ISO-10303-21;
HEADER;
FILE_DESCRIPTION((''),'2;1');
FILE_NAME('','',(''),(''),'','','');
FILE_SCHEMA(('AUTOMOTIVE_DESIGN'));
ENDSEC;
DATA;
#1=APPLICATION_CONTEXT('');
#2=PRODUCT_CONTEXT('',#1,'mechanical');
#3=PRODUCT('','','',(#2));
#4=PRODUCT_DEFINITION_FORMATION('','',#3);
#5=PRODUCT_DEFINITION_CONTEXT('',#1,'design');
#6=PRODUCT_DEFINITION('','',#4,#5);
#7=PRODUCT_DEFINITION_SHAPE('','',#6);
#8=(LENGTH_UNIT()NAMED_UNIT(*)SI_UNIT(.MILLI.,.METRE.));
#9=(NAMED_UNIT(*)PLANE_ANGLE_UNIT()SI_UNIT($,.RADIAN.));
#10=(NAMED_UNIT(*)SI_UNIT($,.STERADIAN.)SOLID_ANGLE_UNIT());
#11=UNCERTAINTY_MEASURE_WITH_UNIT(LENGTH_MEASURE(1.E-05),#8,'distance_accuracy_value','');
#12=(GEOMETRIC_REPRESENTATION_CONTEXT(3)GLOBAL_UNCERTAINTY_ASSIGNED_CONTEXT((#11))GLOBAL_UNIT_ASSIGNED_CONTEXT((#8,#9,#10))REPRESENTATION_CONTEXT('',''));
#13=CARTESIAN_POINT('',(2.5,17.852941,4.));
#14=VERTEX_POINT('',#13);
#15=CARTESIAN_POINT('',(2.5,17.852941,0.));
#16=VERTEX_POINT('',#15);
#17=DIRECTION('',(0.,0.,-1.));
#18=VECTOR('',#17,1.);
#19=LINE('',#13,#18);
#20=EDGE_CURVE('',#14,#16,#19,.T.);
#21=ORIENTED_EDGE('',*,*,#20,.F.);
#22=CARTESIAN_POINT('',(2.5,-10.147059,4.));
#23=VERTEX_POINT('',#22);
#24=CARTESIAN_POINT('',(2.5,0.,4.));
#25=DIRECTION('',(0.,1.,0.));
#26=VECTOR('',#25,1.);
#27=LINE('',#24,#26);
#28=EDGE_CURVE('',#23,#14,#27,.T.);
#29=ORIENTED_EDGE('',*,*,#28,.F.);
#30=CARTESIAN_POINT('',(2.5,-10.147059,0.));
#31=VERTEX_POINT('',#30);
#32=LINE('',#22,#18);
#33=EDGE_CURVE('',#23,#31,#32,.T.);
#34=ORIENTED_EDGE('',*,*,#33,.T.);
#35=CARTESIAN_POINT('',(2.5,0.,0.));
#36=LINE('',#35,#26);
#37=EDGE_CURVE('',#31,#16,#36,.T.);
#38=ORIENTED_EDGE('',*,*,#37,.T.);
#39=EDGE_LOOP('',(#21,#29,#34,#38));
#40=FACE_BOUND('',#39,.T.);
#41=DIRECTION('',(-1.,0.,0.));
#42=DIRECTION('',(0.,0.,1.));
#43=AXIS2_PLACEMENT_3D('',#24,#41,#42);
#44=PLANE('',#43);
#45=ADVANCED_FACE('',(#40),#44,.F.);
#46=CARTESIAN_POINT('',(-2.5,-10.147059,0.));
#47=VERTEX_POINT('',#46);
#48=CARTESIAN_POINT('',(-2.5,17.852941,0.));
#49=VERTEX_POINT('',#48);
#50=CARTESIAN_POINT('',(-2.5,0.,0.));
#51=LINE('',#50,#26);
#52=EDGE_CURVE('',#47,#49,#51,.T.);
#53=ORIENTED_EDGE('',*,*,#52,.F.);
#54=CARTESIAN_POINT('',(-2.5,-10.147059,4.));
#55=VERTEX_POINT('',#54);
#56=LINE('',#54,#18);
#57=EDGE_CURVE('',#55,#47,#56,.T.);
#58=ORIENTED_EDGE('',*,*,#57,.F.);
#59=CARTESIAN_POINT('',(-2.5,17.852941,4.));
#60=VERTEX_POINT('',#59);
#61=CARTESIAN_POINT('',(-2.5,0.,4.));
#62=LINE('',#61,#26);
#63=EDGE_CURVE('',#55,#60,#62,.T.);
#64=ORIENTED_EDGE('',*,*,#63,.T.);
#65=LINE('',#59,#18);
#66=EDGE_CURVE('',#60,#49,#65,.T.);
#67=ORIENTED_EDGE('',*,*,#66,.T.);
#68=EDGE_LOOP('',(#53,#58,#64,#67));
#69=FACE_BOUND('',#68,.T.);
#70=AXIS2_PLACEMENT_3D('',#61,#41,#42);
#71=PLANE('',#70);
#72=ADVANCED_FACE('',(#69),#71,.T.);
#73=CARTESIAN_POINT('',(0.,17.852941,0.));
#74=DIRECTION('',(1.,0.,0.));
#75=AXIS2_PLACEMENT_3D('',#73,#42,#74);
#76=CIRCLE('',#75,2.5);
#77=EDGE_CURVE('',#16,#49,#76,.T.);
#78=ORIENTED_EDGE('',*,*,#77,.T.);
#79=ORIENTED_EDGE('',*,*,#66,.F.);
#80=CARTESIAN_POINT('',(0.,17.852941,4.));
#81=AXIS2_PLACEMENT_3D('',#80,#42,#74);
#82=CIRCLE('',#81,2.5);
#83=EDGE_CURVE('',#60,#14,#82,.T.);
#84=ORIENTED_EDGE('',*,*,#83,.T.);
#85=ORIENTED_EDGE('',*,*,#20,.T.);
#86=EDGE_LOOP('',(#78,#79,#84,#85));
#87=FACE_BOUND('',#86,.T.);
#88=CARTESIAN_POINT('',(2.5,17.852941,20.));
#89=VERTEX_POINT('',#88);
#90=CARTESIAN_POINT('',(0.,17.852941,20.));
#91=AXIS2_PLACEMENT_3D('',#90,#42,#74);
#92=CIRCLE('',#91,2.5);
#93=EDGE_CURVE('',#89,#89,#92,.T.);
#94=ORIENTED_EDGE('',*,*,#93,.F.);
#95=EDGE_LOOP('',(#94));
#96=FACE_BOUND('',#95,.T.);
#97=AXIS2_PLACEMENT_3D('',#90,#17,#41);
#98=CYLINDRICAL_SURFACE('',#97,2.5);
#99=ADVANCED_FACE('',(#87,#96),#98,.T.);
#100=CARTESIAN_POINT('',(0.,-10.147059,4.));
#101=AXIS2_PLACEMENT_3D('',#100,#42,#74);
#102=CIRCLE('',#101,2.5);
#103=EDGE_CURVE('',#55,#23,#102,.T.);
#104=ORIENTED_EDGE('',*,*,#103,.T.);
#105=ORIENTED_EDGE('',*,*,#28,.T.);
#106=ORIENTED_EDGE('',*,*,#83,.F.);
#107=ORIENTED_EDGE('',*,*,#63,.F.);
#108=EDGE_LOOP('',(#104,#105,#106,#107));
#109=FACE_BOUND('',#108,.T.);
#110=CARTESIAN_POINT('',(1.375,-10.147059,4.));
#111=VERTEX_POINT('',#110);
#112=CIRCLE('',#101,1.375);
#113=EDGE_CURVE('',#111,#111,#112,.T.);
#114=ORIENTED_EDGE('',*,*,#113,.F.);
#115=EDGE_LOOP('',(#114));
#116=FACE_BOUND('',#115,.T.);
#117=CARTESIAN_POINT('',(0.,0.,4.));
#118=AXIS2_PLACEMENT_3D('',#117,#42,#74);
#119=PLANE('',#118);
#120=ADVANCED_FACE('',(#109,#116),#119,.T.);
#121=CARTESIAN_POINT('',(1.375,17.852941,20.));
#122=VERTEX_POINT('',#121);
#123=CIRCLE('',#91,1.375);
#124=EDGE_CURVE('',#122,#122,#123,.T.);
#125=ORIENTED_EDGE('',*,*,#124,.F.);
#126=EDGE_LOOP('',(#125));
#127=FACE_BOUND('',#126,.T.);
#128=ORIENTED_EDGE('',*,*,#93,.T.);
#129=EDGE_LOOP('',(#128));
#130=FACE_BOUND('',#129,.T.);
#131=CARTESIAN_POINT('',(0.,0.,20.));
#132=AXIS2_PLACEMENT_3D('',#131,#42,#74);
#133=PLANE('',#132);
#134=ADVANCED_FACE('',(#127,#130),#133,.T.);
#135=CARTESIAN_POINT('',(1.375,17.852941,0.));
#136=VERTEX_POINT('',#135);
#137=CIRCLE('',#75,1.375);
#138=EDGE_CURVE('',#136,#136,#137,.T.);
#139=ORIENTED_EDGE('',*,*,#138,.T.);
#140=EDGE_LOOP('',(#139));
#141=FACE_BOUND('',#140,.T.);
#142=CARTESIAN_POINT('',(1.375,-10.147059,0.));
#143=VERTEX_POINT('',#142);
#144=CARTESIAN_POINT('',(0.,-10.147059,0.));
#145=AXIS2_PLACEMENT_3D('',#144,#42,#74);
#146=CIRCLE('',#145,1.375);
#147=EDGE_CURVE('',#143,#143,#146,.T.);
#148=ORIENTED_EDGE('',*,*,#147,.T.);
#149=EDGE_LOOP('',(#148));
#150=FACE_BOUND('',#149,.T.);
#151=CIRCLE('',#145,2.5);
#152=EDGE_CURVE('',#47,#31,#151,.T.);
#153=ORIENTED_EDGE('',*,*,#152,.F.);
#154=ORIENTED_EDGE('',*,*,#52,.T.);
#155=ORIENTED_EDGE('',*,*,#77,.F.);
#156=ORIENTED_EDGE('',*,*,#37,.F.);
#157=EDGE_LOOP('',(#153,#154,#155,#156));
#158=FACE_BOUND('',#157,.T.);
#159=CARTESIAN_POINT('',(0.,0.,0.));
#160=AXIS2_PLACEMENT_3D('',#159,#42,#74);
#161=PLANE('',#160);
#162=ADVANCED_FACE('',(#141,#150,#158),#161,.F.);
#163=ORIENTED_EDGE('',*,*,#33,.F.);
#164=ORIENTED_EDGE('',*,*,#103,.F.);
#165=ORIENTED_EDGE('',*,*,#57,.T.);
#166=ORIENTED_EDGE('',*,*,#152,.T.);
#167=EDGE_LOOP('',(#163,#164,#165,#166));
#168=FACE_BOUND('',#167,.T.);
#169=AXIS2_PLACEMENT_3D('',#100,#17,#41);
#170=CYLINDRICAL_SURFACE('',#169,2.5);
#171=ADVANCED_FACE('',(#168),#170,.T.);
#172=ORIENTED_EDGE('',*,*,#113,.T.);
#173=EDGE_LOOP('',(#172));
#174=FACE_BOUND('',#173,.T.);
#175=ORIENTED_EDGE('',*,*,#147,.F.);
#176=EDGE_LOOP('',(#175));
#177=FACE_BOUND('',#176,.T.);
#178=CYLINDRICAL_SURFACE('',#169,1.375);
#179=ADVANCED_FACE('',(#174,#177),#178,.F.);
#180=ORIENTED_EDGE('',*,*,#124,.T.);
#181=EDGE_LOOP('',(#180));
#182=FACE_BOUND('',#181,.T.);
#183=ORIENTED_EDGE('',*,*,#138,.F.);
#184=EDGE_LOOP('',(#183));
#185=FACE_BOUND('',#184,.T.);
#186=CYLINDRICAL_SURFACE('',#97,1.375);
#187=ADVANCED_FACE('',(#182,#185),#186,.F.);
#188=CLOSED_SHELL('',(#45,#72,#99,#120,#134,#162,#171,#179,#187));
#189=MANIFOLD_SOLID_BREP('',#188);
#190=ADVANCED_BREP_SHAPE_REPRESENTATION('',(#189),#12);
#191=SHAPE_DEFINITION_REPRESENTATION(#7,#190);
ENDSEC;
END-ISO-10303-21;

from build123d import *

# Parameters (mm, degrees)
SKETCH1_R           = 1.375
BOSS_EXTRUDE3_DEPTH = 4
SKETCH1_6_R         = 1.375
BOSS_EXTRUDE4_DEPTH = 20


with BuildPart() as part:
    # Sketch1 → Boss-Extrude3 (new body)
    with BuildSketch(Plane.XY):
        with BuildLine():
            Line((-2.5, 17.852941176), (-2.5, -10.147058824))
            ThreePointArc((-2.5, -10.147058824), (0, -12.647058824), (2.5, -10.147058824))
            Line((2.5, -10.147058824), (2.5, 17.852941176))
            ThreePointArc((2.5, 17.852941176), (0, 15.352941176), (-2.5, 17.852941176))
        make_face()
        with Locations((0, -10.147058824)):
            Circle(SKETCH1_R, mode=Mode.SUBTRACT)
    extrude(amount=BOSS_EXTRUDE3_DEPTH)

    # Sketch1<6> → Boss-Extrude4 (add)
    with BuildSketch(Plane.XY):
        with BuildLine():
            ThreePointArc((2.5, 17.852941176), (0, 20.352941176), (-2.5, 17.852941176))
            ThreePointArc((-2.5, 17.852941176), (0, 15.352941176), (2.5, 17.852941176))
        make_face()
        with Locations((0, 17.852941176)):
            Circle(SKETCH1_6_R, mode=Mode.SUBTRACT)
    extrude(amount=BOSS_EXTRUDE4_DEPTH)


solid = part.part
